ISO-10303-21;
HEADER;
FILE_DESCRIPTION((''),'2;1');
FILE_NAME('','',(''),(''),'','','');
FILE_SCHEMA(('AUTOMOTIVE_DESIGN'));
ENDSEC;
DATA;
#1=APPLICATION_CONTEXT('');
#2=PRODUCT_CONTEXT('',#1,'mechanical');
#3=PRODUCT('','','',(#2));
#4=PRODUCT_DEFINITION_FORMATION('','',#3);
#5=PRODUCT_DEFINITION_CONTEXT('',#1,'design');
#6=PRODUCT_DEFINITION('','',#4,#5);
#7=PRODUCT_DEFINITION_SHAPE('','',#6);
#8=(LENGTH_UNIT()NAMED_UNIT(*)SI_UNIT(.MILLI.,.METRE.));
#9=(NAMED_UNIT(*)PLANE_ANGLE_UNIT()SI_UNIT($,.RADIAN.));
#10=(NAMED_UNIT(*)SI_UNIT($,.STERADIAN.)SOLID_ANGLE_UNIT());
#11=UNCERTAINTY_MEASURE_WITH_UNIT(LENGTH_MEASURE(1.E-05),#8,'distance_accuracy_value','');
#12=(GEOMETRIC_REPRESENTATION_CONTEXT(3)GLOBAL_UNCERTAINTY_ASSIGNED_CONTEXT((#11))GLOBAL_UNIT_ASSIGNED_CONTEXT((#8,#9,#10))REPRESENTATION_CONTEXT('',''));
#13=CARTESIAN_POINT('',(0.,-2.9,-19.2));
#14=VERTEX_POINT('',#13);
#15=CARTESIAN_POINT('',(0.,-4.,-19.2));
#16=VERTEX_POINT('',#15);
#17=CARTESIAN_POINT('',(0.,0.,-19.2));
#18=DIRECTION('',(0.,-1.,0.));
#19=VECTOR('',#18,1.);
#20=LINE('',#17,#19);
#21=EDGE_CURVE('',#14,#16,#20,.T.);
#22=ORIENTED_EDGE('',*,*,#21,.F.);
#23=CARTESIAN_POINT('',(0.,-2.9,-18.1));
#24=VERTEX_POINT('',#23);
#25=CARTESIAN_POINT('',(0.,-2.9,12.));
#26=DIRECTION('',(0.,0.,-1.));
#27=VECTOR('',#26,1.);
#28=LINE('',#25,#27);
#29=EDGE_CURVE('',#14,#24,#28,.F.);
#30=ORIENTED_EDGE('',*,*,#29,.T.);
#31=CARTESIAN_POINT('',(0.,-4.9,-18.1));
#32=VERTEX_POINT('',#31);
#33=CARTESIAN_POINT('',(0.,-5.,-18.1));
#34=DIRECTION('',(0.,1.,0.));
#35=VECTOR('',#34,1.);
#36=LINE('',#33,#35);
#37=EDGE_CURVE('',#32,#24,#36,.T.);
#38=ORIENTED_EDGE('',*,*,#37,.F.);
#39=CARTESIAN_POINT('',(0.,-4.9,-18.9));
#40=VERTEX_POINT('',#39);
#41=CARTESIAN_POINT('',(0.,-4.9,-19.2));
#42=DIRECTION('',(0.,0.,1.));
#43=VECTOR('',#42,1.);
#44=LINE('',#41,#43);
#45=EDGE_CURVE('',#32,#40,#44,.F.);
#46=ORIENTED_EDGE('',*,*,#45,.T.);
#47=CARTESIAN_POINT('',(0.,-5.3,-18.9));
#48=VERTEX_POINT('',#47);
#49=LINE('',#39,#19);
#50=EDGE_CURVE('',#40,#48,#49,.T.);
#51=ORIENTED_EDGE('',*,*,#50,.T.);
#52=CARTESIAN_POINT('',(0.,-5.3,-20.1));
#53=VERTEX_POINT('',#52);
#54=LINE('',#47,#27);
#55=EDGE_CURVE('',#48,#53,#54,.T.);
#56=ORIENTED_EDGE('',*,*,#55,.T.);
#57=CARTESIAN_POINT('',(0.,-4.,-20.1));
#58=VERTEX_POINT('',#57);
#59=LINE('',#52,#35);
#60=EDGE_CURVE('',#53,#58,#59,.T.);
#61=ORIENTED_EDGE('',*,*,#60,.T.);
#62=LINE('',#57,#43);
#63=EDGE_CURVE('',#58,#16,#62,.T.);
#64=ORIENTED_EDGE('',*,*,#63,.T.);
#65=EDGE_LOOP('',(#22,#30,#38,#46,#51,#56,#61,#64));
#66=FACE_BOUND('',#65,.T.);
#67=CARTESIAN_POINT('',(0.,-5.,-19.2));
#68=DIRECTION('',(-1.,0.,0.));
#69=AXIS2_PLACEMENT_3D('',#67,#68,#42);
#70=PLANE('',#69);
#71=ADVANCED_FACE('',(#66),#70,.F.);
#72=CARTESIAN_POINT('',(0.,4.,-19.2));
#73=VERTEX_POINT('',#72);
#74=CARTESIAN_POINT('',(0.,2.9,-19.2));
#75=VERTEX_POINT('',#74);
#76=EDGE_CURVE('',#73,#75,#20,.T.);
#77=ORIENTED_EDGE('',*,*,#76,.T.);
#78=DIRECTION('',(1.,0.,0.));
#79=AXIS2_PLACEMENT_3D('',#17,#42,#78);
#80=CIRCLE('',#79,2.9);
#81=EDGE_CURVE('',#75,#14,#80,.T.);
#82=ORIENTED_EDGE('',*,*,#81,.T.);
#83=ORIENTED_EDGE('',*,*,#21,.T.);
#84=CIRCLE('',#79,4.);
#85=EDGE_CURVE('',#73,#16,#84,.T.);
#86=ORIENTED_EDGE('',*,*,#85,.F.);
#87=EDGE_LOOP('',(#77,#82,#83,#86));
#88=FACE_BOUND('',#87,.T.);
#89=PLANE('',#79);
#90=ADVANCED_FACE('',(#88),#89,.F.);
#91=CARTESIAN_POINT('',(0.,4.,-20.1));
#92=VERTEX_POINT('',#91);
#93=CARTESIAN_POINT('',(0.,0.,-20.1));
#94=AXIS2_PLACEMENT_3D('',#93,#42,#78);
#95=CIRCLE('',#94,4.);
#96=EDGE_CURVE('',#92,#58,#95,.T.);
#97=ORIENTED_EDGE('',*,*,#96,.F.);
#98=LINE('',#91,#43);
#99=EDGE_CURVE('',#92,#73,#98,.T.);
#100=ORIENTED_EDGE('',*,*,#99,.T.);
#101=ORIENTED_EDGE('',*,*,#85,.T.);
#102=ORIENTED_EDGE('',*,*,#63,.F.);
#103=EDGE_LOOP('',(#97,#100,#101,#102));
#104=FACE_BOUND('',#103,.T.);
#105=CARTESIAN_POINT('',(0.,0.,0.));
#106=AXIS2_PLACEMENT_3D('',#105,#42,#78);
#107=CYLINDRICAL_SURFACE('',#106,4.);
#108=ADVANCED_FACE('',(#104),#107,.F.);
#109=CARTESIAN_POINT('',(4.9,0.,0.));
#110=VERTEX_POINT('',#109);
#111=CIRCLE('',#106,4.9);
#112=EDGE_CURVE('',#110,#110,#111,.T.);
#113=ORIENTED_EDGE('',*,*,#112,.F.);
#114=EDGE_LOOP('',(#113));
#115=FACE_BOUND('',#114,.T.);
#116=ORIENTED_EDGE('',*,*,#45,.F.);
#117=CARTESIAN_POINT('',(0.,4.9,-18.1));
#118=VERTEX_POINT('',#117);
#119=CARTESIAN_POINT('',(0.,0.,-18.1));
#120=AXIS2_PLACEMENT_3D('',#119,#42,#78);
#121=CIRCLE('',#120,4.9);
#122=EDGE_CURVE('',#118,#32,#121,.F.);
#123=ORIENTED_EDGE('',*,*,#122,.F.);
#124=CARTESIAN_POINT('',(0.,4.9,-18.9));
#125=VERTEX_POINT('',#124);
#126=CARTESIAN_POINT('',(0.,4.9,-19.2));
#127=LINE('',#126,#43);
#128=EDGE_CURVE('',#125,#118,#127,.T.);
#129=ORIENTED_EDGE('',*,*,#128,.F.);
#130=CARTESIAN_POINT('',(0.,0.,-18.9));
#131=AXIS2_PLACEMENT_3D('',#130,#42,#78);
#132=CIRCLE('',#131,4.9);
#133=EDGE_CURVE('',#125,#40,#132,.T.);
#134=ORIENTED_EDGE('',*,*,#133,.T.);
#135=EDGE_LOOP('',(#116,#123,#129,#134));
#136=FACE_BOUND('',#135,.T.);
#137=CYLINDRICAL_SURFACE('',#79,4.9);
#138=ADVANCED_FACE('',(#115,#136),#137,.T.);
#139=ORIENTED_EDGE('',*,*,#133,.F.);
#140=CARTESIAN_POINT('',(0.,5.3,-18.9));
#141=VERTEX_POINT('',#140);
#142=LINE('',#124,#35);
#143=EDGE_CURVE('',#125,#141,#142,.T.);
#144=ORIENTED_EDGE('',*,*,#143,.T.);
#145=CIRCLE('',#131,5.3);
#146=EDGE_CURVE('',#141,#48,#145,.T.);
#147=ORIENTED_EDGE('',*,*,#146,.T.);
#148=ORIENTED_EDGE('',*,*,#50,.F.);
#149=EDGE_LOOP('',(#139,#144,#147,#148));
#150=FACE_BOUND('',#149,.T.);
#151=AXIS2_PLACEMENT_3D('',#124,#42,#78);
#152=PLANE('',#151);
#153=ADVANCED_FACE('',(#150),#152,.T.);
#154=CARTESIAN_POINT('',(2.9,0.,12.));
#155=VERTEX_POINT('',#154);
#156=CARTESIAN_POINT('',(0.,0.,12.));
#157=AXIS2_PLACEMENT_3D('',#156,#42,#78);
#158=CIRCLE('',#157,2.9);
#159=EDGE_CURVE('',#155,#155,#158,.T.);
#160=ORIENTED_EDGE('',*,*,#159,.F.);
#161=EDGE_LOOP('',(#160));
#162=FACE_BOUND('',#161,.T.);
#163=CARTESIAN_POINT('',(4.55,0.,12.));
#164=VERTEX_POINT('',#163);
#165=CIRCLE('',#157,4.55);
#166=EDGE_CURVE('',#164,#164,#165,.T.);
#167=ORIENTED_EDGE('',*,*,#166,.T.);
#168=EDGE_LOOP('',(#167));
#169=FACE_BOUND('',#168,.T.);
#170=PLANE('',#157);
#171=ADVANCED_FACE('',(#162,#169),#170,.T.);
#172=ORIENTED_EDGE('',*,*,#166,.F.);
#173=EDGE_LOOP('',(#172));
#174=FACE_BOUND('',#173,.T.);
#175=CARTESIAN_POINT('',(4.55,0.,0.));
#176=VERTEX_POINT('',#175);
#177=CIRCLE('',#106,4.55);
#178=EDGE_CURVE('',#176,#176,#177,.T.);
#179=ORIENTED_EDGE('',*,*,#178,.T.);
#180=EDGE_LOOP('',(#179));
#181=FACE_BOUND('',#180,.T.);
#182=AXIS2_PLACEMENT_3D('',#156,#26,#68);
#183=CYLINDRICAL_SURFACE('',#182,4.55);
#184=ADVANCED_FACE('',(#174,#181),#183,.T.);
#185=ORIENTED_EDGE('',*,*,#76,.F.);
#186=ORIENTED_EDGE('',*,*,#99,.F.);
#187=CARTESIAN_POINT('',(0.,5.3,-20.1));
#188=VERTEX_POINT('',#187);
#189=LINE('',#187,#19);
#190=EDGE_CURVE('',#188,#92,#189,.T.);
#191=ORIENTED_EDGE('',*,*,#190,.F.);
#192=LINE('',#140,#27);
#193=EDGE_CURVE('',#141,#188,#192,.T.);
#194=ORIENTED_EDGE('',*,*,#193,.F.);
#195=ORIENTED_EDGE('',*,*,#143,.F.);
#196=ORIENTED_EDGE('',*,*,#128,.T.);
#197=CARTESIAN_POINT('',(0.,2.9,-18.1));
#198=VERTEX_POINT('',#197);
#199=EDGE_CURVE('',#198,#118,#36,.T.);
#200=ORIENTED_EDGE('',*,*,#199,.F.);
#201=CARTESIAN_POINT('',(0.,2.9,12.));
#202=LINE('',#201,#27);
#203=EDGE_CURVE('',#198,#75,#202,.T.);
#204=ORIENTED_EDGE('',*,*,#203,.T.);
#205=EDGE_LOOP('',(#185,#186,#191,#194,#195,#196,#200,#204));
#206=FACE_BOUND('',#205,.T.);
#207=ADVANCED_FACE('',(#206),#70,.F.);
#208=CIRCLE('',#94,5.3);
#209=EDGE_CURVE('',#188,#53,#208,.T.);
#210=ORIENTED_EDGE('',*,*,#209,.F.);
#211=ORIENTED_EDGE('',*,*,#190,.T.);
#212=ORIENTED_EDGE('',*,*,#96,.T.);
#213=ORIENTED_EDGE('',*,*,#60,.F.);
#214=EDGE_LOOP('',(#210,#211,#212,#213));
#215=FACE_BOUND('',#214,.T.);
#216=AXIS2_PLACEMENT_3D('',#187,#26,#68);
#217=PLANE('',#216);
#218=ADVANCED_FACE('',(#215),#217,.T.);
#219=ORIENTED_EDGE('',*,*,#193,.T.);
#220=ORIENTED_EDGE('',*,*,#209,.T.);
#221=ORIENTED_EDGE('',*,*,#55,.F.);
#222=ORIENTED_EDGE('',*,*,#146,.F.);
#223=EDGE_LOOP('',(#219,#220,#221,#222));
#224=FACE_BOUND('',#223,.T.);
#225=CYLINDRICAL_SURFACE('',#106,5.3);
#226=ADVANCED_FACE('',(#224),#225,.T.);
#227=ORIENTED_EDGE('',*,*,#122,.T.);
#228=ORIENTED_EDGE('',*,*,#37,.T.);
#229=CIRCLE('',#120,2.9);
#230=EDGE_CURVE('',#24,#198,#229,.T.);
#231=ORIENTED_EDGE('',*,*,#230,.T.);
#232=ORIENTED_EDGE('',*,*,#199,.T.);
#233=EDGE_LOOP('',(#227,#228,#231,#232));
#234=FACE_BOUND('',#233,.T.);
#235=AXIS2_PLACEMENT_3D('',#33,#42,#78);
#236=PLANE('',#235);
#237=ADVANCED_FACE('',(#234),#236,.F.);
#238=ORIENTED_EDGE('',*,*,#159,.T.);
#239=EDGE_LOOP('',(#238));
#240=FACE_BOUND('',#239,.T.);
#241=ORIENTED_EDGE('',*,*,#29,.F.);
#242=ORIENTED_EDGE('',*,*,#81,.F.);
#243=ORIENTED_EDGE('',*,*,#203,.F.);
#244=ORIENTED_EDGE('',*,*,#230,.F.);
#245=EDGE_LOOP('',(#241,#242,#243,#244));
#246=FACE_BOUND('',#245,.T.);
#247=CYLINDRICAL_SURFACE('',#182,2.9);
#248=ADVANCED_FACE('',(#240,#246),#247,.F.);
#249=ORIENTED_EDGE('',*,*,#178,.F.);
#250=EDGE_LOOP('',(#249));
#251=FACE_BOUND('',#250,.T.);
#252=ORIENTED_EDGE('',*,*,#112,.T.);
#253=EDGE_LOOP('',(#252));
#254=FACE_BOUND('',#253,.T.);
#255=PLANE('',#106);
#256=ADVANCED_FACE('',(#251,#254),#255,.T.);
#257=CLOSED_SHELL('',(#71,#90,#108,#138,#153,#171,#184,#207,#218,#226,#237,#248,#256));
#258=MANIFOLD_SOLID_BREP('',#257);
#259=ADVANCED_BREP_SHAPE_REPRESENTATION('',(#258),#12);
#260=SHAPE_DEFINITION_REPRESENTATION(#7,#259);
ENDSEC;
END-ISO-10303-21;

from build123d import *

# Parameters (mm, degrees)
ESQUISSE1_R             = 4.55
ESQUISSE1_R_2           = 2.9
BOSS_EXTRU_1_DEPTH      = 12
BOSS_EXTRU_2_START      = -19.2
ESQUISSE1_3_R           = 4.9
ESQUISSE1_3_R_2         = 2.9
BOSS_EXTRU_2_DEPTH      = 19.2
ESQUISSE2_W             = 6.768135737
ESQUISSE2_H             = 1.1
ENL_V_MAT_EXTRU_1_DEPTH = 5
R_VOLUTION1_ANGLE       = 180


with BuildPart() as part:
    # Esquisse1 → Boss.-Extru.1 (new body)
    with BuildSketch(Plane.XY):
        Circle(ESQUISSE1_R)
        Circle(ESQUISSE1_R_2, mode=Mode.SUBTRACT)
    extrude(amount=BOSS_EXTRU_1_DEPTH)

    # Esquisse1<3> → Boss.-Extru.2 (add)
    with BuildSketch(Plane.XY.offset(BOSS_EXTRU_2_START)):
        Circle(ESQUISSE1_3_R)
        Circle(ESQUISSE1_3_R_2, mode=Mode.SUBTRACT)
    extrude(amount=BOSS_EXTRU_2_DEPTH)

    # Esquisse2 → Enlèv. mat.-Extru.1 (cut, symmetric)
    with BuildSketch(Plane(origin=(0, 0, 0), x_dir=(1, 0, 0), z_dir=(0, 1, 0))):
        with Locations((3.384067869, 18.65)):
            Rectangle(ESQUISSE2_W, ESQUISSE2_H)
    extrude(amount=ENL_V_MAT_EXTRU_1_DEPTH, both=True, mode=Mode.SUBTRACT)

    # Esquisse3 → Révolution1 (revolve)
    with BuildSketch(Plane(origin=(0, 0, 0), x_dir=(0, 0, -1), z_dir=(1, 0, 0))):
        Polygon((18.9, -4.9), (19.2, -4.9), (19.2, -4), (20.1, -4), (20.1, -5.3), (18.9, -5.3), align=None)
    revolve(axis=Axis((0, 0, 0), (0, 0, -1)), revolution_arc=R_VOLUTION1_ANGLE)


solid = part.part
